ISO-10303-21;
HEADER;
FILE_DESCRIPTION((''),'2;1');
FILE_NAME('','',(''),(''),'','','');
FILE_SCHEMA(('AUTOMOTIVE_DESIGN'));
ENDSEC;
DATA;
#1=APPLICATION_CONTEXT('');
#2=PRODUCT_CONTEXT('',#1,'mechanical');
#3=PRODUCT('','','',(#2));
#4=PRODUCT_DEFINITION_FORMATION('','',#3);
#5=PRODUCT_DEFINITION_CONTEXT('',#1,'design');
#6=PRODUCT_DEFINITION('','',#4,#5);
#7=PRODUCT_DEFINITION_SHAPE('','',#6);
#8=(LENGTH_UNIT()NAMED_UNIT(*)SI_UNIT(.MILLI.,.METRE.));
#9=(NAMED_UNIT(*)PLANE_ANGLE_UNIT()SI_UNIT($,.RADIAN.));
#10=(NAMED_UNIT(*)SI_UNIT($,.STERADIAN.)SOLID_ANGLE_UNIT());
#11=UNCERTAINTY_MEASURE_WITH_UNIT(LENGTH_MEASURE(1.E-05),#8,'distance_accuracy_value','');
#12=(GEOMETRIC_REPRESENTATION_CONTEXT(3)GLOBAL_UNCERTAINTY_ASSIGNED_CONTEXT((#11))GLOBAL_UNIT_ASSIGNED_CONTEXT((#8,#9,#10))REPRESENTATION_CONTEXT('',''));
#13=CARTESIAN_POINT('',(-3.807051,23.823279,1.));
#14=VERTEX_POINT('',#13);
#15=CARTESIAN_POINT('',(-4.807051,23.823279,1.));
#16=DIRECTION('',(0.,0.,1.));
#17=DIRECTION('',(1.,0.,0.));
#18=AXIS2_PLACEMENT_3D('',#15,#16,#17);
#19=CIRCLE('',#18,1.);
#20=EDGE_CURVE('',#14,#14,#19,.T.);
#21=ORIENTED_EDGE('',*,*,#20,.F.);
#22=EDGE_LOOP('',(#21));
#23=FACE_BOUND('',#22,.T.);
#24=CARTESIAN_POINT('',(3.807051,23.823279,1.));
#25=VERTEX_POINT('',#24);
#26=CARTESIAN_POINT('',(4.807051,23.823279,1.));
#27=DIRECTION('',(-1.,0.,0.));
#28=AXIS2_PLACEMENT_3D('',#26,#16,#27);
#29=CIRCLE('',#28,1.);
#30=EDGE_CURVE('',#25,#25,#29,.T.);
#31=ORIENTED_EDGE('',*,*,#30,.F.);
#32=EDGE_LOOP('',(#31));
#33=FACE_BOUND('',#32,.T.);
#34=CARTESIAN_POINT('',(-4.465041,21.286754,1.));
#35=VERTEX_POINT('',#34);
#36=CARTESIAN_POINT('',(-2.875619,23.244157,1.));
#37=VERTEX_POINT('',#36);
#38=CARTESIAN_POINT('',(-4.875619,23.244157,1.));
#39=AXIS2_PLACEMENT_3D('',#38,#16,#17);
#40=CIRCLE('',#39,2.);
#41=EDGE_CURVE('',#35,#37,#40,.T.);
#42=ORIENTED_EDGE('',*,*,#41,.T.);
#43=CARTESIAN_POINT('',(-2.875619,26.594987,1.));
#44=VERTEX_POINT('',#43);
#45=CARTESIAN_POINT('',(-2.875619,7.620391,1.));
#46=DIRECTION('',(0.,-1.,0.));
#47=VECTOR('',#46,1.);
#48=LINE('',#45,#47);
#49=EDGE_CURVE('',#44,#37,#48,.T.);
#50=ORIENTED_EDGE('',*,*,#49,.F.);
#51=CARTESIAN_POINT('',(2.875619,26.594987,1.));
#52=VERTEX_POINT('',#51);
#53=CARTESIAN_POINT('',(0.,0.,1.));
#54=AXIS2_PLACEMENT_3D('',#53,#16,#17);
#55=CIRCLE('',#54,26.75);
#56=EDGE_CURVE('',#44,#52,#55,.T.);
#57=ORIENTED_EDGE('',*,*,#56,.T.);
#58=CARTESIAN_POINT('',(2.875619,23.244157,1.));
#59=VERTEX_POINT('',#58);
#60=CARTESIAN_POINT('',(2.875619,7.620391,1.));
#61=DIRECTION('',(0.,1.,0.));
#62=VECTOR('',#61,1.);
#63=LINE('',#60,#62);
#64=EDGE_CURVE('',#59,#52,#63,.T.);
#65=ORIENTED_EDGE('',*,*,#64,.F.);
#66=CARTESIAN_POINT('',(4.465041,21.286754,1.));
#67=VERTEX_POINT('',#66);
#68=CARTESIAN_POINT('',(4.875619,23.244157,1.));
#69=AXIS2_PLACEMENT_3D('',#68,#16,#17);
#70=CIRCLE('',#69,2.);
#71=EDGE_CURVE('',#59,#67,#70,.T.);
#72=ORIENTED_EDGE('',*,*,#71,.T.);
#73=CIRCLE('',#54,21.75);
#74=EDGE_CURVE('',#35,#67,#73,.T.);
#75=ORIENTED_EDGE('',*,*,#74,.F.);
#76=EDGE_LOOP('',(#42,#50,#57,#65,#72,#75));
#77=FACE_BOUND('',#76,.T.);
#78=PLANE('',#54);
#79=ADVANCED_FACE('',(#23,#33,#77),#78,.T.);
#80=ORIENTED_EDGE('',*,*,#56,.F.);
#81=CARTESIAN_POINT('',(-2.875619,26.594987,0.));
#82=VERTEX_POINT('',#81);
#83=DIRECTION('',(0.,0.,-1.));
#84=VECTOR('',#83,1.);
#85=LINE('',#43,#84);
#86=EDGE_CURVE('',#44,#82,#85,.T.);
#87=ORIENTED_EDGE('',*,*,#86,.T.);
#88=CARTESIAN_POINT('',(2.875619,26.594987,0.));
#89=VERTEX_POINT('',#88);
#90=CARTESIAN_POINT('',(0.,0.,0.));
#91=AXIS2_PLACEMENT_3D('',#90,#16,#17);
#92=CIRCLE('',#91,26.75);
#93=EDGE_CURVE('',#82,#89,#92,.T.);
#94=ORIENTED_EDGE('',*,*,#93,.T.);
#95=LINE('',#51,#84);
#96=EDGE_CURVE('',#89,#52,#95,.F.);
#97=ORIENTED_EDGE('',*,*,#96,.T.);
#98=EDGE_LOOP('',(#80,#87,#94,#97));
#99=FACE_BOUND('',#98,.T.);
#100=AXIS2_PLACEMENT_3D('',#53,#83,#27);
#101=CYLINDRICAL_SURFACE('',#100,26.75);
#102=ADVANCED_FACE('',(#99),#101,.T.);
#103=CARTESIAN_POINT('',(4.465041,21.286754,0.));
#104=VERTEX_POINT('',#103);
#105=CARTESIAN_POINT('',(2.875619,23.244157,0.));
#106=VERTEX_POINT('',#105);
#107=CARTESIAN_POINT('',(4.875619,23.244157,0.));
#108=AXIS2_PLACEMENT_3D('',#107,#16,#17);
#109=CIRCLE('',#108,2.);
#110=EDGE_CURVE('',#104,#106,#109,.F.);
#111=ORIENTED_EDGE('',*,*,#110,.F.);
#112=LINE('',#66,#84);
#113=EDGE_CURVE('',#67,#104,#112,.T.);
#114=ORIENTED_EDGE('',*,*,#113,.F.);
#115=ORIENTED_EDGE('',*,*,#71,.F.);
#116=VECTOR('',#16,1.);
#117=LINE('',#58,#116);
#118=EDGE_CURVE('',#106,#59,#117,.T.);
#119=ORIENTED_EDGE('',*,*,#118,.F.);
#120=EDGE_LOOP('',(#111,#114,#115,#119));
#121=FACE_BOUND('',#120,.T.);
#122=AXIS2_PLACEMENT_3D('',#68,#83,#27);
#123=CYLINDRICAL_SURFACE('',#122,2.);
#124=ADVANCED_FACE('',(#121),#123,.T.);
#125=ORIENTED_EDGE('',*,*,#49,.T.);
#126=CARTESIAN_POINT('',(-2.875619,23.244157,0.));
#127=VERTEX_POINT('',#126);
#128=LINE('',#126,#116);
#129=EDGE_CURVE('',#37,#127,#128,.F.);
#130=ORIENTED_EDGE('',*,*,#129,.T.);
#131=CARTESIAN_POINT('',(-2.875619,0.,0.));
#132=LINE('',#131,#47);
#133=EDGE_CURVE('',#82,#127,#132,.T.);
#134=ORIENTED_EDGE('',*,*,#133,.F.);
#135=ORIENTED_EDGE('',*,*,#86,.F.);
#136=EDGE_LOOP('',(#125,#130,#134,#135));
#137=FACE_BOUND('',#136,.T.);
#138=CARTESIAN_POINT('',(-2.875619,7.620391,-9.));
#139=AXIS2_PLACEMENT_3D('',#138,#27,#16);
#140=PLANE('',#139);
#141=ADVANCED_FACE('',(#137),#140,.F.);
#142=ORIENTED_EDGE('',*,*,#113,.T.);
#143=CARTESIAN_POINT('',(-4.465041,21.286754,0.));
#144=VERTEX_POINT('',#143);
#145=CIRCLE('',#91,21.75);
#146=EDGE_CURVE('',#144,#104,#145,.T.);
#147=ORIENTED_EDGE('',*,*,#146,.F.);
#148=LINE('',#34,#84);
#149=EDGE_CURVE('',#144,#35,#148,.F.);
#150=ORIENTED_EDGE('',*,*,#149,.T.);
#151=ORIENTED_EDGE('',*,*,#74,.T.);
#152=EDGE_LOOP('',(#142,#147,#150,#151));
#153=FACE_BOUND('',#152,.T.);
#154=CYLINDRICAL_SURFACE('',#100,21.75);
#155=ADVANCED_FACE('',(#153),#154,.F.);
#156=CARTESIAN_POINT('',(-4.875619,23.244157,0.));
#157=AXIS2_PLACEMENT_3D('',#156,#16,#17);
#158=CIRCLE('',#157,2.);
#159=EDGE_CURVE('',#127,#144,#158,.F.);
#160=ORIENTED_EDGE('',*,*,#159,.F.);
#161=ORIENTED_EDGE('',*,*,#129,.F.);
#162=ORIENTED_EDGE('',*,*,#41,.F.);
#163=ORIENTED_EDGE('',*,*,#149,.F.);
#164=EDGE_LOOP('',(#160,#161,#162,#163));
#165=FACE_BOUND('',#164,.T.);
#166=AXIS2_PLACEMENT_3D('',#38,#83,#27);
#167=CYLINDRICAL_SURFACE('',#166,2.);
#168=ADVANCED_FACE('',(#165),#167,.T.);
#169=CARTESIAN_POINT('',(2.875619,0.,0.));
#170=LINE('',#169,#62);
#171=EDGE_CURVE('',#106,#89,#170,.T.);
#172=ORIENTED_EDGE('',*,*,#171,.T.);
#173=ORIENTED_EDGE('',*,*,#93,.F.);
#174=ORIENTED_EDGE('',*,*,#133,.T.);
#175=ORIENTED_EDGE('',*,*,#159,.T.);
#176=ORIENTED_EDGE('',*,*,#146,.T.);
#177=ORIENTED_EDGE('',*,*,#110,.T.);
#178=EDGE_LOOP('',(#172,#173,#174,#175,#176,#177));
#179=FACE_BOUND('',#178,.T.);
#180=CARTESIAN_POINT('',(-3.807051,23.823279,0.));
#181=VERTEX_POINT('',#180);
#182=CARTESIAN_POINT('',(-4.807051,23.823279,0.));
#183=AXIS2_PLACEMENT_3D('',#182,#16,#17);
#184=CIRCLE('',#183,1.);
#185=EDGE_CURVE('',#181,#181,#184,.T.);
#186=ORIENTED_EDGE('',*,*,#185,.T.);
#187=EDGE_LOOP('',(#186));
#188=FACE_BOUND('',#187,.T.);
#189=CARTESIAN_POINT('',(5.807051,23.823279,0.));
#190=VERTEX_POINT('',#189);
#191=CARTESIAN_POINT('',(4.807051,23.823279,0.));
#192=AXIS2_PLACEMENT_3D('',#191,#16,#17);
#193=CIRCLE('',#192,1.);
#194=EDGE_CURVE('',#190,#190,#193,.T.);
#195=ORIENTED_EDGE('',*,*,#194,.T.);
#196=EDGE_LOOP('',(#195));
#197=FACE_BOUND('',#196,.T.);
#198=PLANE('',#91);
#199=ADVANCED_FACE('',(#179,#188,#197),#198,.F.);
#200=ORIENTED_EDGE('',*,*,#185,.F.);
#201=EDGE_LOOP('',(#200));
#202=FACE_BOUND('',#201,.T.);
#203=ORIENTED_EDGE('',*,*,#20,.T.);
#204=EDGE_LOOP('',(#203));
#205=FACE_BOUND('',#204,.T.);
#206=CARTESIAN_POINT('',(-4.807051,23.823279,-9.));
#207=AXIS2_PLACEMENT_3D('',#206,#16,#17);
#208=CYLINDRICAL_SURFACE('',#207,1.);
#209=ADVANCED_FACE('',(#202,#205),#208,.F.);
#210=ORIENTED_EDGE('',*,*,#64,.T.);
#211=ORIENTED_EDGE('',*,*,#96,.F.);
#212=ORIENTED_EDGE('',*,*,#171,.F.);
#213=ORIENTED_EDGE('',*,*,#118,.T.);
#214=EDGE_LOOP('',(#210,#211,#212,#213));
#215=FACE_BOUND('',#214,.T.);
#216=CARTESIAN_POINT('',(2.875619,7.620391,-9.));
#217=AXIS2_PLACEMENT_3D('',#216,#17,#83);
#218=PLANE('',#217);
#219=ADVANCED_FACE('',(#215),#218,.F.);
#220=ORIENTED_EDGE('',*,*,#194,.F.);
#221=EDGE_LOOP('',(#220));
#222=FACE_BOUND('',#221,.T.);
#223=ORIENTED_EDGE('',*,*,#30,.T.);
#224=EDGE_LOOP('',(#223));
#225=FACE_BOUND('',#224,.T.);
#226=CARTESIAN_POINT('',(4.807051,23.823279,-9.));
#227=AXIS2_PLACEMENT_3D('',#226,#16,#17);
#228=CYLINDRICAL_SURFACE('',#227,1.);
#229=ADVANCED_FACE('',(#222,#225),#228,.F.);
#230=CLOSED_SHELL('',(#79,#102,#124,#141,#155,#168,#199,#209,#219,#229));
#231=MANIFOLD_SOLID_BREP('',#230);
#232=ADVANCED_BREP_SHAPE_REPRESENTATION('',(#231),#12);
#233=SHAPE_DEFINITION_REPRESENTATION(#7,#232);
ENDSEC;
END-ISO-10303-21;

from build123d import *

# Parameters (mm, degrees)
SKETCH_1_R          = 26.75
SKETCH_1_R_2        = 21.75
EXTRUDE_1_DEPTH     = 1
SKETCH_2_W          = 5.751238768
SKETCH_2_H          = 20.704459562
CUT_EXTRUDE_1_DEPTH = 10
FILLET_1_R          = 2
SKETCH_3_R          = 1
CUT_EXTRUDE_2_DEPTH = 10


with BuildPart() as part:
    # 草图1 → 拉伸-薄壁1 (new body)
    with BuildSketch(Plane.XY):
        Circle(SKETCH_1_R)
        Circle(SKETCH_1_R_2, mode=Mode.SUBTRACT)
    extrude(amount=EXTRUDE_1_DEPTH)

    # 草图2 → 切除-拉伸1 (cut)
    with BuildSketch(Plane.XY.offset(1)):
        with Locations((0, 17.972621147)):
            Rectangle(SKETCH_2_W, SKETCH_2_H)
    extrude(amount=-CUT_EXTRUDE_1_DEPTH, mode=Mode.SUBTRACT)

    # 圆角1
    fillet_1_edges = [part.edges().sort_by_distance(p)[0] for p in [
        (2.875619384, 21.559065684, 0.5),
        (-2.875619384, 21.559065684, 0.5),
    ]]
    fillet(fillet_1_edges, radius=FILLET_1_R)

    # 草图3 → 切除-拉伸2 (cut)
    with BuildSketch(Plane.XY.offset(1)):
        with Locations((-4.807050905, 23.823279289)):
            Circle(SKETCH_3_R)
        with Locations((4.807050905, 23.823279289)):
            Circle(SKETCH_3_R)
    extrude(amount=-CUT_EXTRUDE_2_DEPTH, mode=Mode.SUBTRACT)


solid = part.part
